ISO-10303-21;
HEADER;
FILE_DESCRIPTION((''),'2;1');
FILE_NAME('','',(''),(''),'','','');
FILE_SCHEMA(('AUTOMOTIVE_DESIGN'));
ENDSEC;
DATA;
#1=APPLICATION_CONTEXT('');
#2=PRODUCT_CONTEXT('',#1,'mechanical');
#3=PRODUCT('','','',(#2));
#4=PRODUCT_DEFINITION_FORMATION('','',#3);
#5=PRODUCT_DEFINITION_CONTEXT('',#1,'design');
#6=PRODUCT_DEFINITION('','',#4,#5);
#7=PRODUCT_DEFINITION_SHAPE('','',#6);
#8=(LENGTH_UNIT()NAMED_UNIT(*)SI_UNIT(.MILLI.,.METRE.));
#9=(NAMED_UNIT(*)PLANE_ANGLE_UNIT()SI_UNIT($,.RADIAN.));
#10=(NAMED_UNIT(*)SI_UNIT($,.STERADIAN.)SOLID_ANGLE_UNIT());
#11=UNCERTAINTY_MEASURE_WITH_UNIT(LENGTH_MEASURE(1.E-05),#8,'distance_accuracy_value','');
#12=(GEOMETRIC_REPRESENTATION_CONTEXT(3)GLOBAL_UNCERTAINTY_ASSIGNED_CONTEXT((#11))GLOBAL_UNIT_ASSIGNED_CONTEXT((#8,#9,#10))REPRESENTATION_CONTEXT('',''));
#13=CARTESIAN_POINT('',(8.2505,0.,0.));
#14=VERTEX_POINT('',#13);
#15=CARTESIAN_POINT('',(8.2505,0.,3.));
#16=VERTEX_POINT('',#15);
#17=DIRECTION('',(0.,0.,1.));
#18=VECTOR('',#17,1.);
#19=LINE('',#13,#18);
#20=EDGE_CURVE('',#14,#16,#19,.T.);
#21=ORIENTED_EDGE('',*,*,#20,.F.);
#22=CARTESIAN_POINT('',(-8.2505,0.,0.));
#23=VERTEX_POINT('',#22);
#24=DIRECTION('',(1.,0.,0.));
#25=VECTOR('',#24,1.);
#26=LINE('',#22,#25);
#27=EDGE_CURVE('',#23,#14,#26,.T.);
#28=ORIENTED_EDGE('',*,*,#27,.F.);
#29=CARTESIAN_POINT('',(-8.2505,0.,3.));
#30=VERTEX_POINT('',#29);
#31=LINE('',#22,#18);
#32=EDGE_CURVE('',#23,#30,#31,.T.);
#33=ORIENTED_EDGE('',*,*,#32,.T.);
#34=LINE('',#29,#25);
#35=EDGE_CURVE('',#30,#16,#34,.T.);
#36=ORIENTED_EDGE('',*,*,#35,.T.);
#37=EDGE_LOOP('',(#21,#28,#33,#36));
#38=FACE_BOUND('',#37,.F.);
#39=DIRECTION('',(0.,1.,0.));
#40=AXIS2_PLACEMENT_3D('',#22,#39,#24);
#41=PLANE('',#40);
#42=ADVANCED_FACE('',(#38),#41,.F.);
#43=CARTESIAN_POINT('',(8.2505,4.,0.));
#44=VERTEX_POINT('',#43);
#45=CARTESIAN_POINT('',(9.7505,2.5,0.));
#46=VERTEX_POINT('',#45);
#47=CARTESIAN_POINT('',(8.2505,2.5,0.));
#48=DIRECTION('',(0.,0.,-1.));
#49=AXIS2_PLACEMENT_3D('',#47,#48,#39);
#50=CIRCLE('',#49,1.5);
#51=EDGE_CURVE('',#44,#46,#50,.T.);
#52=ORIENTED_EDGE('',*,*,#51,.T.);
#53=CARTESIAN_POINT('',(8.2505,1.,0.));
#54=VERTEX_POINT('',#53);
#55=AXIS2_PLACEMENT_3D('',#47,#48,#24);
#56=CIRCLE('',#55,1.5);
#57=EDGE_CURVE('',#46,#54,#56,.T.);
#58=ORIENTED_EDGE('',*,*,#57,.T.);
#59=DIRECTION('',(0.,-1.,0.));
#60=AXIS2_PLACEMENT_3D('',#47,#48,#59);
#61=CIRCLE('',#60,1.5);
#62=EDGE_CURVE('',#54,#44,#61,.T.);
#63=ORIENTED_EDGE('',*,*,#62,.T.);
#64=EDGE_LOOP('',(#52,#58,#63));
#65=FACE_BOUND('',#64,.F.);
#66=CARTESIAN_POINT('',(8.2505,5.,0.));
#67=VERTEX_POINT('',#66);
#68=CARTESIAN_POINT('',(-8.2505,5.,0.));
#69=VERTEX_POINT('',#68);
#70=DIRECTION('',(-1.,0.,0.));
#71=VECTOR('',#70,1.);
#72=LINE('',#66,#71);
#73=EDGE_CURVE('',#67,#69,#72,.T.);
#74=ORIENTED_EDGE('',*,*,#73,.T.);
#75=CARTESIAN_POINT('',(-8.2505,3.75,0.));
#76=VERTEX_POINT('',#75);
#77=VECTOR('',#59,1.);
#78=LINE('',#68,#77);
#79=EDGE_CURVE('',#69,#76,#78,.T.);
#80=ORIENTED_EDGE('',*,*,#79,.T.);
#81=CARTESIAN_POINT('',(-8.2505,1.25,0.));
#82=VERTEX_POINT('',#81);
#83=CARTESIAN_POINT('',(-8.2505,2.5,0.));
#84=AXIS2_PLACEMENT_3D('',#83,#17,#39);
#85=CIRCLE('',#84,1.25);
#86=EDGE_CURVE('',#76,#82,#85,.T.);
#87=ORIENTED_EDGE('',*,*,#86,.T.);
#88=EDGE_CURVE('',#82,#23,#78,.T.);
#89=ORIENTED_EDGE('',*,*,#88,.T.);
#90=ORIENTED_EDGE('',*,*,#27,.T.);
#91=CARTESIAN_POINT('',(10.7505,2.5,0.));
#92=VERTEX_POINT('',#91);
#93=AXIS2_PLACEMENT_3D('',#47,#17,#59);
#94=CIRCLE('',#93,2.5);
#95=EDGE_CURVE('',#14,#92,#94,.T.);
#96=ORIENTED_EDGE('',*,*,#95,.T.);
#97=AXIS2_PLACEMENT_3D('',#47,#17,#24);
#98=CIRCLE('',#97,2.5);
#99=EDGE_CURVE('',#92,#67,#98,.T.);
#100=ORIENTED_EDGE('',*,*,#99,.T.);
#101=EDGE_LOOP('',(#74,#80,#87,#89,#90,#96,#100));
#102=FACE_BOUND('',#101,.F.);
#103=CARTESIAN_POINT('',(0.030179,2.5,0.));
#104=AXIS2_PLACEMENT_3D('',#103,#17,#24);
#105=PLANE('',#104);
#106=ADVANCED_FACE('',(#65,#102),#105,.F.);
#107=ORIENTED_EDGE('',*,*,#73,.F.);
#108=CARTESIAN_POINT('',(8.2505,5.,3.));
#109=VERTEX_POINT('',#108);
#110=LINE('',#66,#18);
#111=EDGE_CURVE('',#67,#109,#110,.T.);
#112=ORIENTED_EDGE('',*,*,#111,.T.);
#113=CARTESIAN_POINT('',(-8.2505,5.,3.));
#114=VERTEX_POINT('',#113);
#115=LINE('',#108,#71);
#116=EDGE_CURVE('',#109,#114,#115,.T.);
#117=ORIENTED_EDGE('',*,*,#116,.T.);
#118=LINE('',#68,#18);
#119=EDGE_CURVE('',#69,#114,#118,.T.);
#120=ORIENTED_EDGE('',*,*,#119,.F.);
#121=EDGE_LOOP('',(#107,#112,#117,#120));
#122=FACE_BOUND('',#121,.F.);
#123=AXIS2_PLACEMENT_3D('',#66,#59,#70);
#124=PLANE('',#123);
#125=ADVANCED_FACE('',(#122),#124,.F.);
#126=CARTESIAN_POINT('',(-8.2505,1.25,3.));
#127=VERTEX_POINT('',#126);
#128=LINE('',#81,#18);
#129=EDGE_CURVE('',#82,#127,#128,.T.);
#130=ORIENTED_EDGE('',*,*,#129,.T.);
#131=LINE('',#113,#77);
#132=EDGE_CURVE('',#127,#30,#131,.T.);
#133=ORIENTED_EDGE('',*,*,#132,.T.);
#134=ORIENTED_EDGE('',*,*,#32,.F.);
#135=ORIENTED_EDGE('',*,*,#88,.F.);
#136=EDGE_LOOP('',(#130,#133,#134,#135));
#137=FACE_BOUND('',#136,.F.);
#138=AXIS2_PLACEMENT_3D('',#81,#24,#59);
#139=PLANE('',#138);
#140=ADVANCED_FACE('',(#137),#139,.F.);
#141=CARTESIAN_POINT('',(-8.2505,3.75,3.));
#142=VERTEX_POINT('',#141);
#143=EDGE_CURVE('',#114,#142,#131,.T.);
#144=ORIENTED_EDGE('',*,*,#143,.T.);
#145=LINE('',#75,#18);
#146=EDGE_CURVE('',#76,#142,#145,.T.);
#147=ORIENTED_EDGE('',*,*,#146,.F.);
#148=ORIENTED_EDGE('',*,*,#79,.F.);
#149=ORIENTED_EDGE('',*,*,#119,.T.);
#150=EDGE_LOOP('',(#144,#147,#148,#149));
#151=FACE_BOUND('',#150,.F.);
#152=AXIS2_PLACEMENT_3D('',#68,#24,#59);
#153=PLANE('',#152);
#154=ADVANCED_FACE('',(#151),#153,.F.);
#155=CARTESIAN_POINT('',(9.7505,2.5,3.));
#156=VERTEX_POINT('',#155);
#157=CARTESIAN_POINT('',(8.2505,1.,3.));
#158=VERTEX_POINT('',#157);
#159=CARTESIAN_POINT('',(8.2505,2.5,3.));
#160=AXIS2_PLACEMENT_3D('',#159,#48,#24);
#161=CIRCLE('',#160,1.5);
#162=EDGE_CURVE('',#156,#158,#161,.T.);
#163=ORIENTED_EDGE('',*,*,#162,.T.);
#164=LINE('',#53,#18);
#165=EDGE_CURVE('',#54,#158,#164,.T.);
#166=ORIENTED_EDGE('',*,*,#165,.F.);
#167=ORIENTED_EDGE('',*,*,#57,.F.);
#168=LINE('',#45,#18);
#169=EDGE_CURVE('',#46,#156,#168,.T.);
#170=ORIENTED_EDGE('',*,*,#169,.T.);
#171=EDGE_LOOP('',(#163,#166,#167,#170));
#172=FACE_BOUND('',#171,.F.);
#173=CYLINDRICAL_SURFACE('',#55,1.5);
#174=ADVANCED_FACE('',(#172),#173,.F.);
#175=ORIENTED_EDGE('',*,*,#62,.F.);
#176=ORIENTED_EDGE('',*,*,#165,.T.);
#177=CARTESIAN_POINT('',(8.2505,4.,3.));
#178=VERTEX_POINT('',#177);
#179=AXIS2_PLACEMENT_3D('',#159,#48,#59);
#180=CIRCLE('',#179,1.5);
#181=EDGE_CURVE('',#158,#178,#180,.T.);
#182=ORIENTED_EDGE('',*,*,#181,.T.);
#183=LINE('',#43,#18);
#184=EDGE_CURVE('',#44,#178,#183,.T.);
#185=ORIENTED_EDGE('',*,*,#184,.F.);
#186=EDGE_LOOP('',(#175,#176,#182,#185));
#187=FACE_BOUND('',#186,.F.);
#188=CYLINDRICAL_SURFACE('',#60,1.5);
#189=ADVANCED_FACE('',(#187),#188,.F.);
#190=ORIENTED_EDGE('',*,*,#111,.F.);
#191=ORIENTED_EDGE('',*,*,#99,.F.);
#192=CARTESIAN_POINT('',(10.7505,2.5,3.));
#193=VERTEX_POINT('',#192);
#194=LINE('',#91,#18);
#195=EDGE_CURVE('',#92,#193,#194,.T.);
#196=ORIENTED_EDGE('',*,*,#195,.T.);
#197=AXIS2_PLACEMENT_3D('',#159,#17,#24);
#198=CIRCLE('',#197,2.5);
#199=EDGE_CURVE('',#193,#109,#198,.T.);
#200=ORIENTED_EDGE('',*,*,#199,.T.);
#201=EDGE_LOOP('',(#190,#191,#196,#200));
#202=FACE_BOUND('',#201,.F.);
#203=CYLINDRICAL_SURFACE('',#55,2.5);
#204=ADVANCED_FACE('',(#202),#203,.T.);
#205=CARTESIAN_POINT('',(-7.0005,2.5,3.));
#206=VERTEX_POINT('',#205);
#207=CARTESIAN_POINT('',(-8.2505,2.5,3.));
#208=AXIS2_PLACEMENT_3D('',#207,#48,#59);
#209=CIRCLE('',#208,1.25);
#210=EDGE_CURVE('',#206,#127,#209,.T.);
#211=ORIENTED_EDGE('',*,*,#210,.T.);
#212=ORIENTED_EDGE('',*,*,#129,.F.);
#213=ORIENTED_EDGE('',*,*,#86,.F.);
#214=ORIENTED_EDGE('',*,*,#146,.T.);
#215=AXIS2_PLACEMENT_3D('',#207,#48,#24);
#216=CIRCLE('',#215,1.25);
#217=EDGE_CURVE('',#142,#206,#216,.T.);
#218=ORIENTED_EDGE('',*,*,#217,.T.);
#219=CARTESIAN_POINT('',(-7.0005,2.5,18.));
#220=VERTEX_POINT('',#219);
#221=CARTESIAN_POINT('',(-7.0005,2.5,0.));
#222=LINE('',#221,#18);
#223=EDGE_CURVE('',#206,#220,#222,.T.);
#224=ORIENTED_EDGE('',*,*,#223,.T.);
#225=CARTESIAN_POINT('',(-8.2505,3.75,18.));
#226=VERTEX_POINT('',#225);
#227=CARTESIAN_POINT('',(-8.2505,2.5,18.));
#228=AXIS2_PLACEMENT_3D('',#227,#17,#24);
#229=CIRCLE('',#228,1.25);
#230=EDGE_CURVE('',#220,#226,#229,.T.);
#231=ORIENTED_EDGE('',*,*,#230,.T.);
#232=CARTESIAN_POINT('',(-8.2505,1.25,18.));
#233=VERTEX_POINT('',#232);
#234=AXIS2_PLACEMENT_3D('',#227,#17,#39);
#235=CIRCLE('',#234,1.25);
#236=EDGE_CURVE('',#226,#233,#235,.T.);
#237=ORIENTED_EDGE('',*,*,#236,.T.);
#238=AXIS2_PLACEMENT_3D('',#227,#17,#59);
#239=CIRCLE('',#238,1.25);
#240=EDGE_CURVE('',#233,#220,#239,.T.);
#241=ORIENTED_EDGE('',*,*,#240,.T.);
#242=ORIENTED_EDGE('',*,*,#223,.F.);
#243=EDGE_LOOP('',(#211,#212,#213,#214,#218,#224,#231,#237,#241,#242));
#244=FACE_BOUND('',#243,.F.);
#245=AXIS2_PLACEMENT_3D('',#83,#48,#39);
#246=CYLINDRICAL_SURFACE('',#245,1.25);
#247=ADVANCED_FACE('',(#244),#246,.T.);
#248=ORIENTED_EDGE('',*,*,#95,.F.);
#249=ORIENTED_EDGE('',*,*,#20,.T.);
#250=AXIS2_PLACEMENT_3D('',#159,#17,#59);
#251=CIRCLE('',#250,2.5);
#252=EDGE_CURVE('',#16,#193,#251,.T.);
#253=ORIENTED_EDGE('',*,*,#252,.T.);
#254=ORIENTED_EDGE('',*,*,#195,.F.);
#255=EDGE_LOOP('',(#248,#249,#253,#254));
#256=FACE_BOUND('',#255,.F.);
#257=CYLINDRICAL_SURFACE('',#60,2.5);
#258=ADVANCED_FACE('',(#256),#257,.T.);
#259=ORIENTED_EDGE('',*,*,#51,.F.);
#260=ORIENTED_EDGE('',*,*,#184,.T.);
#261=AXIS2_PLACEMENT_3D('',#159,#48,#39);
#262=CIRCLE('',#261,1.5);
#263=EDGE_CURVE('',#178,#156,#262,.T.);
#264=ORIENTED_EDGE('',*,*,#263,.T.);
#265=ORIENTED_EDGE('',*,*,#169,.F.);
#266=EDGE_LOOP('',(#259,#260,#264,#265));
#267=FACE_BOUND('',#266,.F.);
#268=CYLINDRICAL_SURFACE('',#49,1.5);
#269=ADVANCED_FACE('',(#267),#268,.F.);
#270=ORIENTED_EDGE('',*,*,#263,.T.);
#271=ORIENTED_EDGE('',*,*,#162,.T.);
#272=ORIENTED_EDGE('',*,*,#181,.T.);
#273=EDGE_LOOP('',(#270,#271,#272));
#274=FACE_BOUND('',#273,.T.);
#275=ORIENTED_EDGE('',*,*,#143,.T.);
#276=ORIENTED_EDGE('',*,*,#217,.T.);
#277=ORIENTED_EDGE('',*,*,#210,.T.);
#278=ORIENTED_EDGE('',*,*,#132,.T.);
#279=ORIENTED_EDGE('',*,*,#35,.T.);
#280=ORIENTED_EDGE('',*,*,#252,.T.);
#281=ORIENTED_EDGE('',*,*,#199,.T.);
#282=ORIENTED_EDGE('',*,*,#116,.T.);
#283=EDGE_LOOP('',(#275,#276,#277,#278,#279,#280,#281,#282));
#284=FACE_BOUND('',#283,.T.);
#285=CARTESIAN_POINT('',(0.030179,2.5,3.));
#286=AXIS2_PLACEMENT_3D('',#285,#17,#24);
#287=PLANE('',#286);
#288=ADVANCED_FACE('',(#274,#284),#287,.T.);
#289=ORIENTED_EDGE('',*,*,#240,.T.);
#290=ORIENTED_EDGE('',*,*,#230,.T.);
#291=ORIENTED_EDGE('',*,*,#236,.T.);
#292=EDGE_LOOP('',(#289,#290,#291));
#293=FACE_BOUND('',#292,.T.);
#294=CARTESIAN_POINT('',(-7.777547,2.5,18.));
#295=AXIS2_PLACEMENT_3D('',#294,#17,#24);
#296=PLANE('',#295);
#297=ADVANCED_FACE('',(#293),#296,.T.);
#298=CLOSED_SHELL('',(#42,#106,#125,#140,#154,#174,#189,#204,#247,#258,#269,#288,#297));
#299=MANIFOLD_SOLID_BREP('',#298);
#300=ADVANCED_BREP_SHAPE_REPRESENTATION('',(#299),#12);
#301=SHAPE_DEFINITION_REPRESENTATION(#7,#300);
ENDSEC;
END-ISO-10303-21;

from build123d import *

# Parameters (mm, degrees)
F1_DEPTH = 3
F2_DEPTH = 18


with BuildPart() as f1:
    # F0 (on Top) → F1 (new body)
    with BuildSketch(Plane.XY):
        with BuildLine():
            Line((8.2505, 5), (-8.2505, 5))
            Line((-8.2505, 5), (-8.2505, 3.75))
            ThreePointArc((-8.2505, 3.75), (-7.3666165235, 3.3838834765), (-7.0005, 2.5))
            ThreePointArc((-7.0005, 2.5), (-7.3666165235, 1.6161165235), (-8.2505, 1.25))
            Line((-8.2505, 1.25), (-8.2505, 0))
            Line((-8.2505, 0), (8.2505, 0))
            ThreePointArc((8.2505, 0), (5.7505, 2.5), (8.2505, 5))
        make_face()
        with BuildLine():
            ThreePointArc((10.7505, 2.5), (10.018266953, 4.267766953), (8.2505, 5))
            Line((8.2505, 5), (8.2505, 4))
            ThreePointArc((8.2505, 4), (9.3111601718, 3.5606601718), (9.7505, 2.5))
            ThreePointArc((9.7505, 2.5), (9.3111601718, 1.4393398282), (8.2505, 1))
            Line((8.2505, 1), (8.2505, 0))
            ThreePointArc((8.2505, 0), (10.018266953, 0.732233047), (10.7505, 2.5))
        make_face()
        with BuildLine():
            Line((8.2505, 4), (8.2505, 5))
            ThreePointArc((8.2505, 5), (5.7505, 2.5), (8.2505, 0))
            Line((8.2505, 0), (8.2505, 1))
            ThreePointArc((8.2505, 1), (6.7505, 2.5), (8.2505, 4))
        make_face()
        with BuildLine():
            ThreePointArc((-7.0005, 2.5), (-7.3666165235, 3.3838834765), (-8.2505, 3.75))
            Line((-8.2505, 3.75), (-8.2505, 1.25))
            ThreePointArc((-8.2505, 1.25), (-7.3666165235, 1.6161165235), (-7.0005, 2.5))
        make_face()
        with BuildLine():
            Line((-8.2505, 1.25), (-8.2505, 3.75))
            ThreePointArc((-8.2505, 3.75), (-9.5005, 2.5), (-8.2505, 1.25))
        make_face()
    extrude(amount=F1_DEPTH)

    # F0 (on Top) → F2 (join)
    with BuildSketch(Plane.XY):
        with BuildLine():
            ThreePointArc((-7.0005, 2.5), (-7.3666165235, 3.3838834765), (-8.2505, 3.75))
            Line((-8.2505, 3.75), (-8.2505, 1.25))
            ThreePointArc((-8.2505, 1.25), (-7.3666165235, 1.6161165235), (-7.0005, 2.5))
        make_face()
        with BuildLine():
            Line((-8.2505, 1.25), (-8.2505, 3.75))
            ThreePointArc((-8.2505, 3.75), (-9.5005, 2.5), (-8.2505, 1.25))
        make_face()
    extrude(amount=F2_DEPTH)


solid = f1.part
